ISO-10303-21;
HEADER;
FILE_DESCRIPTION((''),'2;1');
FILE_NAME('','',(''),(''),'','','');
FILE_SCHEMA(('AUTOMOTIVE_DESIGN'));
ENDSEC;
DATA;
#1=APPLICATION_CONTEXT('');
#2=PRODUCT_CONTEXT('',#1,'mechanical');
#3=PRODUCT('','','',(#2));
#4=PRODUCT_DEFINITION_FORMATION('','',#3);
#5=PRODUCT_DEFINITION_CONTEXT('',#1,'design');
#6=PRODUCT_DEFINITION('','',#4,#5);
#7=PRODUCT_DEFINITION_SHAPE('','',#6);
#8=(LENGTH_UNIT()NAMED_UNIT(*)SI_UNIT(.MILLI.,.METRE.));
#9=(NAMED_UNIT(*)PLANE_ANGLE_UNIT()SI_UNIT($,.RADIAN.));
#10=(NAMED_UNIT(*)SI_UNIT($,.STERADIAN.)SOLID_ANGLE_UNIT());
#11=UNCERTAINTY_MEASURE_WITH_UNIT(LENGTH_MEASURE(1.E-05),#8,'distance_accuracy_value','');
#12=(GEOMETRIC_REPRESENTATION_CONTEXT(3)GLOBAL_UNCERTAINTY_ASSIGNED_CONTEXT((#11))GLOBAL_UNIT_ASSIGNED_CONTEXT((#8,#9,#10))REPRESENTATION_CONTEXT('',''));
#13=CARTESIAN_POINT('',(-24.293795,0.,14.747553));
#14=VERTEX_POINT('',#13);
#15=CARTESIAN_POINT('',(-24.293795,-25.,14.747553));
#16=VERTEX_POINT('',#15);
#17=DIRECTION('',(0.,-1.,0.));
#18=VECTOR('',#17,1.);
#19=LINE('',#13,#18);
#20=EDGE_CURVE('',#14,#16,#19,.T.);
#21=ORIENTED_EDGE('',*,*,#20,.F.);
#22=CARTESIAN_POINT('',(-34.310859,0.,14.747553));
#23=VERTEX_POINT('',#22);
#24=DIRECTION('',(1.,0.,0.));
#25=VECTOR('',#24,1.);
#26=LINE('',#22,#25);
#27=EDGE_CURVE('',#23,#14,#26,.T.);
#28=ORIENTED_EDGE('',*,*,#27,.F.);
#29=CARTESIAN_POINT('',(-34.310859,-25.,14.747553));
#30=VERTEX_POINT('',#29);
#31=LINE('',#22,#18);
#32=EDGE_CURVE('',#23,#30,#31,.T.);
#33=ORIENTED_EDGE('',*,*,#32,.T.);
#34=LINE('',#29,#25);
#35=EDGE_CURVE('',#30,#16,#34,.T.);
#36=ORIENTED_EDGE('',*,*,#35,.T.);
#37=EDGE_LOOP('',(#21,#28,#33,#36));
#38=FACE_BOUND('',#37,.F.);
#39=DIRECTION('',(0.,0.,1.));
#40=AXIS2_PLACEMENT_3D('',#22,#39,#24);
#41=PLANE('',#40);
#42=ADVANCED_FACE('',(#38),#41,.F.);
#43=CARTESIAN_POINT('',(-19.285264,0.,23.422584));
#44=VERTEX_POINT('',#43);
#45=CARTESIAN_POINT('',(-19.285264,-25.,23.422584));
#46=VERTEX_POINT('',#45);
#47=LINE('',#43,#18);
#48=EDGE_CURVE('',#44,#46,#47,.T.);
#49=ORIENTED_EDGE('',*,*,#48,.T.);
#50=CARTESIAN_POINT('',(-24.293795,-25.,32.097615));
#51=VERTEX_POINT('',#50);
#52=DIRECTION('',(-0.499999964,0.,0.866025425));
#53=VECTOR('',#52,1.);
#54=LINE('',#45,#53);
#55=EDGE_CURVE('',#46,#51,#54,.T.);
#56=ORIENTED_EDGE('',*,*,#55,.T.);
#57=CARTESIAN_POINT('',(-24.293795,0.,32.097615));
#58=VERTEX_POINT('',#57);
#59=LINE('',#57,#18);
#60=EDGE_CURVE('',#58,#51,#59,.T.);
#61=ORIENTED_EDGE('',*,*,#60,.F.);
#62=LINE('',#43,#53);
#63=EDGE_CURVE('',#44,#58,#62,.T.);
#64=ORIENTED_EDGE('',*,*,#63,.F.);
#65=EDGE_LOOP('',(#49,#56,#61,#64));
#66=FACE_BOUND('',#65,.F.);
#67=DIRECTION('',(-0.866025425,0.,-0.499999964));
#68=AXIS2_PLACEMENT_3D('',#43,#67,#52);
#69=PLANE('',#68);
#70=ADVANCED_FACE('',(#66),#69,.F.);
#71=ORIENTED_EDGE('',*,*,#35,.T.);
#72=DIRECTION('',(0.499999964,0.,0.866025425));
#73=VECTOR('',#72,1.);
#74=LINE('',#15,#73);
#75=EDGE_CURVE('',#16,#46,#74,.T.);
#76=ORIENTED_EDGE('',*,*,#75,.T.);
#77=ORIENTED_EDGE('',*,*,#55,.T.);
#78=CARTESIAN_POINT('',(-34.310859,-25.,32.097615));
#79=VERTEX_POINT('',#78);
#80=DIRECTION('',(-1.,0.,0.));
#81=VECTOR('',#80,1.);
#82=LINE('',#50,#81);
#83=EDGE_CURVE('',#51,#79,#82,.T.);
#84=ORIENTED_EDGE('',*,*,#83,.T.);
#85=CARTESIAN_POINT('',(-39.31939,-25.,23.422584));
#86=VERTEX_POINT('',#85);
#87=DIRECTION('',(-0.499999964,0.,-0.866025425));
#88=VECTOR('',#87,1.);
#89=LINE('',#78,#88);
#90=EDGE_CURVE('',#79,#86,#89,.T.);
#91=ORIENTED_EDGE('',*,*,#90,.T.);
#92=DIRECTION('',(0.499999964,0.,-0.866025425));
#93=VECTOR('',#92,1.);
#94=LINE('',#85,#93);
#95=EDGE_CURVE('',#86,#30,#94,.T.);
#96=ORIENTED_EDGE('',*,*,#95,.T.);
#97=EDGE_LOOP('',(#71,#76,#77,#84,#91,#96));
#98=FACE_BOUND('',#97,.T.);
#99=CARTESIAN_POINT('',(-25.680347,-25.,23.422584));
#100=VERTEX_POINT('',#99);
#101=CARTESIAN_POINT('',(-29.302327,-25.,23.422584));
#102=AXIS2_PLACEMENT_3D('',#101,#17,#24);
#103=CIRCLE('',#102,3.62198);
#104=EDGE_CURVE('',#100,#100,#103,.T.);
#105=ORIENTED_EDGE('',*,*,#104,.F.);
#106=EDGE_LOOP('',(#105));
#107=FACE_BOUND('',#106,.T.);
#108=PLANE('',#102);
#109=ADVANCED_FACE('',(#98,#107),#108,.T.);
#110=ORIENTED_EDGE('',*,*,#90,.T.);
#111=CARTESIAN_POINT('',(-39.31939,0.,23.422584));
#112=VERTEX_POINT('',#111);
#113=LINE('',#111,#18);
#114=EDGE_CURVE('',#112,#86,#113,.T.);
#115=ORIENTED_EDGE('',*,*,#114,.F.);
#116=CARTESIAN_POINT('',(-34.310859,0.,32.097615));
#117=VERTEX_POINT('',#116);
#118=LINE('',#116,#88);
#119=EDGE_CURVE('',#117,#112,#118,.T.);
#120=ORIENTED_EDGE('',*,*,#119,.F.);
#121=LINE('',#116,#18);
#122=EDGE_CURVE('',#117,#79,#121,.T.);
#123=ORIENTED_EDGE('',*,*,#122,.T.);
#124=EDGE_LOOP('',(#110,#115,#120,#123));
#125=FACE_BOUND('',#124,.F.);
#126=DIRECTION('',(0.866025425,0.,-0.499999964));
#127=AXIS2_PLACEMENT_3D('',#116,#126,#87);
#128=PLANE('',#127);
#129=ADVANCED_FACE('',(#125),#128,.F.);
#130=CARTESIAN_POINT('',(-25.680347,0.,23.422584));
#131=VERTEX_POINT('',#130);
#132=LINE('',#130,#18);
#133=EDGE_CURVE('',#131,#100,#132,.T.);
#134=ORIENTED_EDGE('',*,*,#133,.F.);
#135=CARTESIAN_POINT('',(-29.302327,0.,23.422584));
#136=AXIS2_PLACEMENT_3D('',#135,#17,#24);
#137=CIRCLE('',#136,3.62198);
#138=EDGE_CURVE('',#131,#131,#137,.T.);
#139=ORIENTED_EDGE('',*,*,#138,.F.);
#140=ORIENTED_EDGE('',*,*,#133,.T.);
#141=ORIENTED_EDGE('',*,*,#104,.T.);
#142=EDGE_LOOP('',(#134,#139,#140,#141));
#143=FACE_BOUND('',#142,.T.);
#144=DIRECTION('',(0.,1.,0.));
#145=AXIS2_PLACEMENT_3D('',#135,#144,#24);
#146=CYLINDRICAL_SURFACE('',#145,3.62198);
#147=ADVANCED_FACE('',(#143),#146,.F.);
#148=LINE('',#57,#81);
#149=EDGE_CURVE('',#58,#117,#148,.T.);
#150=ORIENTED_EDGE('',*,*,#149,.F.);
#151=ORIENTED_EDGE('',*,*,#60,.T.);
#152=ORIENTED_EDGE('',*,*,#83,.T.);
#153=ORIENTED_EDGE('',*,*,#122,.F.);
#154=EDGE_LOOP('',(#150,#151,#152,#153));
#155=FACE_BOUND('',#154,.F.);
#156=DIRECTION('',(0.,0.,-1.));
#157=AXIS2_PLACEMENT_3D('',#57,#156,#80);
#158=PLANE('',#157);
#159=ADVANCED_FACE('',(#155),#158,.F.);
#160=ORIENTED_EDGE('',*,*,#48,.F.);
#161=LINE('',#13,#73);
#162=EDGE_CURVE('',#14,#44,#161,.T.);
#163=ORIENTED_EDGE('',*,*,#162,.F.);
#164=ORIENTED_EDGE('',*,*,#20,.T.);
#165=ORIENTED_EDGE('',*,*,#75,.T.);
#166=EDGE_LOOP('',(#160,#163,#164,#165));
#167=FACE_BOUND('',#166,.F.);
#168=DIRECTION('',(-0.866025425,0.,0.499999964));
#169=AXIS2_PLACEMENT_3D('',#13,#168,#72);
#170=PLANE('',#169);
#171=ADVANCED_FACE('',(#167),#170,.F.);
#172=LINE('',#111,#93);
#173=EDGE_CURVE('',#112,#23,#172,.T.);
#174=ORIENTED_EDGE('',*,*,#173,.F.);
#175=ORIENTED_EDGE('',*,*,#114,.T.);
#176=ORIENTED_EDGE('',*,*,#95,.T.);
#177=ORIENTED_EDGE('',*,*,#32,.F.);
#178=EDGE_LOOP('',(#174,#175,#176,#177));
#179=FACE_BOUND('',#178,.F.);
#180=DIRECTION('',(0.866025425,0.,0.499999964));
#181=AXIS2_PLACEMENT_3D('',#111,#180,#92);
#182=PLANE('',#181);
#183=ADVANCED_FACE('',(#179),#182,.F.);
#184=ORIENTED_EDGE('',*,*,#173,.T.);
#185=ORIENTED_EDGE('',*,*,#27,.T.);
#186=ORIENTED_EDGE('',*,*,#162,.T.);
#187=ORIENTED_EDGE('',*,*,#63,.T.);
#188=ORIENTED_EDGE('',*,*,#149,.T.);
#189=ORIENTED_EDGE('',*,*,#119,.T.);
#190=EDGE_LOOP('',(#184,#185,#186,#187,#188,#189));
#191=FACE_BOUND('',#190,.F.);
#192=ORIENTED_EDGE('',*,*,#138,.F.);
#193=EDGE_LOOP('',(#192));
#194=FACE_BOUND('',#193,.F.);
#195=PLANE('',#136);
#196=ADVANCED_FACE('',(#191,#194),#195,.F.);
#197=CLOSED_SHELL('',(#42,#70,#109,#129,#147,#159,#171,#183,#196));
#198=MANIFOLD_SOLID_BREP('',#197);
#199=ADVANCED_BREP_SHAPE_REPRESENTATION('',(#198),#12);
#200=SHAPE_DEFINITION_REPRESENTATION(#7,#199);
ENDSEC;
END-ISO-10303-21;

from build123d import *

# Parameters (mm, degrees)
F0_R     = 3.62198
F1_DEPTH = 25
F2_DEPTH = 25


with BuildPart() as f1:
    # F0 (on Front) → F1 (new body)
    with BuildSketch(Plane.XZ):
        Polygon((-24.293795, 32.097615), (-34.310859, 32.097615), (-39.31939, 23.422584), (-34.310859, 14.747553), (-24.293795, 14.747553), (-19.285264, 23.422584), align=None)
        with Locations((-29.302327, 23.422584)):
            Circle(F0_R, mode=Mode.SUBTRACT)
        with Locations((-29.302327, 23.422584)):
            Circle(F0_R)
    extrude(amount=F1_DEPTH)

    # F0 (on Front) → F2 (cut)
    with BuildSketch(Plane.XZ):
        with Locations((-29.302327, 23.422584)):
            Circle(F0_R)
    extrude(amount=F2_DEPTH, mode=Mode.SUBTRACT)


solid = f1.part
